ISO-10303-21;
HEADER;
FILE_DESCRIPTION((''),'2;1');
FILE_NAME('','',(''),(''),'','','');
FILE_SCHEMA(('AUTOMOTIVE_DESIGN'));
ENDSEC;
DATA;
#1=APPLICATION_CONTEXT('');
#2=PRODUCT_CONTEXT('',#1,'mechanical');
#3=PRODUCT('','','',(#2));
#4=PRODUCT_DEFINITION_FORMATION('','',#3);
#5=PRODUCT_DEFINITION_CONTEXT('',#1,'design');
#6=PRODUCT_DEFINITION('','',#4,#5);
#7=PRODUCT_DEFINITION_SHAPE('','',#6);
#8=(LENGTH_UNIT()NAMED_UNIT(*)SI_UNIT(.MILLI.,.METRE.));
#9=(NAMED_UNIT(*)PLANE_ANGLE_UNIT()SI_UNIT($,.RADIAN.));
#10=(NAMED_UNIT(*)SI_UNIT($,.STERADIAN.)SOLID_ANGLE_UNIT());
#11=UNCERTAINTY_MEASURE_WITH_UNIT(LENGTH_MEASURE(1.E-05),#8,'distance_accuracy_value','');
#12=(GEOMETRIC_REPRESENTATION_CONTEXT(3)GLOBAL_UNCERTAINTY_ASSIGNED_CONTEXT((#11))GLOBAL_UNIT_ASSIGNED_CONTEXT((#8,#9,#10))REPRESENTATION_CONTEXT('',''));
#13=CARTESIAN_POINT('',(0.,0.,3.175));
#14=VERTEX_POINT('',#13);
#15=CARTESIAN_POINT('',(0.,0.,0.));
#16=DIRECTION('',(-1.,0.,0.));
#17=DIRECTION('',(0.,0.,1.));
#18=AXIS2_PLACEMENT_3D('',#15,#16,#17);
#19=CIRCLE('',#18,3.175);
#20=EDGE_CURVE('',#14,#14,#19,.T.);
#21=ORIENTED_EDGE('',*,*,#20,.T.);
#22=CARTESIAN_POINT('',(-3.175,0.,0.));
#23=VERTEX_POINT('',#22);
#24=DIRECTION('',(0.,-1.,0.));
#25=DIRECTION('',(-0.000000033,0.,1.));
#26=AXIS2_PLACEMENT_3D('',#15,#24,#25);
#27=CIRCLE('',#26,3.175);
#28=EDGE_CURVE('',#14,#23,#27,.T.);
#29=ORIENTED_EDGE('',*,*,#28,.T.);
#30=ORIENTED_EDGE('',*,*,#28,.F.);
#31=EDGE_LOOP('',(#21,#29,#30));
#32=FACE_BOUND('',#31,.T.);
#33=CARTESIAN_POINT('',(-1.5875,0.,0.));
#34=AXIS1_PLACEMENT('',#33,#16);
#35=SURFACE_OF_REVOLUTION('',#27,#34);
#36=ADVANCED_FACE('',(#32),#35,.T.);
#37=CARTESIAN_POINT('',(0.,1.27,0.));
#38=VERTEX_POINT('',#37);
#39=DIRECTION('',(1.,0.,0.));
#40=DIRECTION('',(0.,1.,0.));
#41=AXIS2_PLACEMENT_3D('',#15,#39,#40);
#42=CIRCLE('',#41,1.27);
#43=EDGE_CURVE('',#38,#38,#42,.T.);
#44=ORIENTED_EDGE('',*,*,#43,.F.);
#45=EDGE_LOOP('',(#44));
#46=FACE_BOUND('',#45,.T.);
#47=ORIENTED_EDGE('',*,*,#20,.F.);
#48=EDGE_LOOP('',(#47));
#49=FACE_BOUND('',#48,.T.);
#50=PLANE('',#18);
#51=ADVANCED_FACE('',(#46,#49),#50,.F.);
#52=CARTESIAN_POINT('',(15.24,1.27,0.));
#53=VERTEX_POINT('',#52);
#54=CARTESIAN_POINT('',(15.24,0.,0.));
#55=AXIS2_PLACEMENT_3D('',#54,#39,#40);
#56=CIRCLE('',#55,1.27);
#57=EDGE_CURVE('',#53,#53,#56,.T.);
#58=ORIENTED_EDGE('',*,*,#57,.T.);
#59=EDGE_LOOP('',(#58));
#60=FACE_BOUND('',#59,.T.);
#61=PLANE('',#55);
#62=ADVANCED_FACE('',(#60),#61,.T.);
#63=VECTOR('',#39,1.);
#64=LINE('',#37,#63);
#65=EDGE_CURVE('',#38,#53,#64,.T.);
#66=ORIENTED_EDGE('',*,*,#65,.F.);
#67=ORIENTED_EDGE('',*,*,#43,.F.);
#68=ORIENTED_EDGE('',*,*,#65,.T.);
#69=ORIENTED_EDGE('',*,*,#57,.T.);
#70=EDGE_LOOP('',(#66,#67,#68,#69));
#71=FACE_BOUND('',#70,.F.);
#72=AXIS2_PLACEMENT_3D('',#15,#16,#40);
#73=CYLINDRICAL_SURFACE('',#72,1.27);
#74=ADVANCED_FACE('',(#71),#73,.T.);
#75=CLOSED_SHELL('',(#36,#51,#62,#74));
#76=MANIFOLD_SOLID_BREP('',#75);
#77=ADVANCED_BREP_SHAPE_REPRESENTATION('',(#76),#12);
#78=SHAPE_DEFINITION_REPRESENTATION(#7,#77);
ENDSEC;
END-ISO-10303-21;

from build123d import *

# Parameters (mm, degrees)
F0_R     = 1.27
F1_DEPTH = 15.24


with BuildPart() as f1:
    # F0 (on Right) → F1 (new body)
    with BuildSketch(Plane.YZ):
        Circle(F0_R)
    extrude(amount=F1_DEPTH)

    # F2 (on Front) → F3 (revolve)
    with BuildSketch(Plane.XZ):
        with BuildLine():
            Line((-3.175, 0), (0, 0))
            Line((0, 0), (0, 3.175))
            ThreePointArc((0, 3.175), (-2.245064, 2.245064), (-3.175, 0))
        make_face()
    revolve(axis=Axis((-1.5875, 0, 0), (-1, 0, 0)))


solid = f1.part
